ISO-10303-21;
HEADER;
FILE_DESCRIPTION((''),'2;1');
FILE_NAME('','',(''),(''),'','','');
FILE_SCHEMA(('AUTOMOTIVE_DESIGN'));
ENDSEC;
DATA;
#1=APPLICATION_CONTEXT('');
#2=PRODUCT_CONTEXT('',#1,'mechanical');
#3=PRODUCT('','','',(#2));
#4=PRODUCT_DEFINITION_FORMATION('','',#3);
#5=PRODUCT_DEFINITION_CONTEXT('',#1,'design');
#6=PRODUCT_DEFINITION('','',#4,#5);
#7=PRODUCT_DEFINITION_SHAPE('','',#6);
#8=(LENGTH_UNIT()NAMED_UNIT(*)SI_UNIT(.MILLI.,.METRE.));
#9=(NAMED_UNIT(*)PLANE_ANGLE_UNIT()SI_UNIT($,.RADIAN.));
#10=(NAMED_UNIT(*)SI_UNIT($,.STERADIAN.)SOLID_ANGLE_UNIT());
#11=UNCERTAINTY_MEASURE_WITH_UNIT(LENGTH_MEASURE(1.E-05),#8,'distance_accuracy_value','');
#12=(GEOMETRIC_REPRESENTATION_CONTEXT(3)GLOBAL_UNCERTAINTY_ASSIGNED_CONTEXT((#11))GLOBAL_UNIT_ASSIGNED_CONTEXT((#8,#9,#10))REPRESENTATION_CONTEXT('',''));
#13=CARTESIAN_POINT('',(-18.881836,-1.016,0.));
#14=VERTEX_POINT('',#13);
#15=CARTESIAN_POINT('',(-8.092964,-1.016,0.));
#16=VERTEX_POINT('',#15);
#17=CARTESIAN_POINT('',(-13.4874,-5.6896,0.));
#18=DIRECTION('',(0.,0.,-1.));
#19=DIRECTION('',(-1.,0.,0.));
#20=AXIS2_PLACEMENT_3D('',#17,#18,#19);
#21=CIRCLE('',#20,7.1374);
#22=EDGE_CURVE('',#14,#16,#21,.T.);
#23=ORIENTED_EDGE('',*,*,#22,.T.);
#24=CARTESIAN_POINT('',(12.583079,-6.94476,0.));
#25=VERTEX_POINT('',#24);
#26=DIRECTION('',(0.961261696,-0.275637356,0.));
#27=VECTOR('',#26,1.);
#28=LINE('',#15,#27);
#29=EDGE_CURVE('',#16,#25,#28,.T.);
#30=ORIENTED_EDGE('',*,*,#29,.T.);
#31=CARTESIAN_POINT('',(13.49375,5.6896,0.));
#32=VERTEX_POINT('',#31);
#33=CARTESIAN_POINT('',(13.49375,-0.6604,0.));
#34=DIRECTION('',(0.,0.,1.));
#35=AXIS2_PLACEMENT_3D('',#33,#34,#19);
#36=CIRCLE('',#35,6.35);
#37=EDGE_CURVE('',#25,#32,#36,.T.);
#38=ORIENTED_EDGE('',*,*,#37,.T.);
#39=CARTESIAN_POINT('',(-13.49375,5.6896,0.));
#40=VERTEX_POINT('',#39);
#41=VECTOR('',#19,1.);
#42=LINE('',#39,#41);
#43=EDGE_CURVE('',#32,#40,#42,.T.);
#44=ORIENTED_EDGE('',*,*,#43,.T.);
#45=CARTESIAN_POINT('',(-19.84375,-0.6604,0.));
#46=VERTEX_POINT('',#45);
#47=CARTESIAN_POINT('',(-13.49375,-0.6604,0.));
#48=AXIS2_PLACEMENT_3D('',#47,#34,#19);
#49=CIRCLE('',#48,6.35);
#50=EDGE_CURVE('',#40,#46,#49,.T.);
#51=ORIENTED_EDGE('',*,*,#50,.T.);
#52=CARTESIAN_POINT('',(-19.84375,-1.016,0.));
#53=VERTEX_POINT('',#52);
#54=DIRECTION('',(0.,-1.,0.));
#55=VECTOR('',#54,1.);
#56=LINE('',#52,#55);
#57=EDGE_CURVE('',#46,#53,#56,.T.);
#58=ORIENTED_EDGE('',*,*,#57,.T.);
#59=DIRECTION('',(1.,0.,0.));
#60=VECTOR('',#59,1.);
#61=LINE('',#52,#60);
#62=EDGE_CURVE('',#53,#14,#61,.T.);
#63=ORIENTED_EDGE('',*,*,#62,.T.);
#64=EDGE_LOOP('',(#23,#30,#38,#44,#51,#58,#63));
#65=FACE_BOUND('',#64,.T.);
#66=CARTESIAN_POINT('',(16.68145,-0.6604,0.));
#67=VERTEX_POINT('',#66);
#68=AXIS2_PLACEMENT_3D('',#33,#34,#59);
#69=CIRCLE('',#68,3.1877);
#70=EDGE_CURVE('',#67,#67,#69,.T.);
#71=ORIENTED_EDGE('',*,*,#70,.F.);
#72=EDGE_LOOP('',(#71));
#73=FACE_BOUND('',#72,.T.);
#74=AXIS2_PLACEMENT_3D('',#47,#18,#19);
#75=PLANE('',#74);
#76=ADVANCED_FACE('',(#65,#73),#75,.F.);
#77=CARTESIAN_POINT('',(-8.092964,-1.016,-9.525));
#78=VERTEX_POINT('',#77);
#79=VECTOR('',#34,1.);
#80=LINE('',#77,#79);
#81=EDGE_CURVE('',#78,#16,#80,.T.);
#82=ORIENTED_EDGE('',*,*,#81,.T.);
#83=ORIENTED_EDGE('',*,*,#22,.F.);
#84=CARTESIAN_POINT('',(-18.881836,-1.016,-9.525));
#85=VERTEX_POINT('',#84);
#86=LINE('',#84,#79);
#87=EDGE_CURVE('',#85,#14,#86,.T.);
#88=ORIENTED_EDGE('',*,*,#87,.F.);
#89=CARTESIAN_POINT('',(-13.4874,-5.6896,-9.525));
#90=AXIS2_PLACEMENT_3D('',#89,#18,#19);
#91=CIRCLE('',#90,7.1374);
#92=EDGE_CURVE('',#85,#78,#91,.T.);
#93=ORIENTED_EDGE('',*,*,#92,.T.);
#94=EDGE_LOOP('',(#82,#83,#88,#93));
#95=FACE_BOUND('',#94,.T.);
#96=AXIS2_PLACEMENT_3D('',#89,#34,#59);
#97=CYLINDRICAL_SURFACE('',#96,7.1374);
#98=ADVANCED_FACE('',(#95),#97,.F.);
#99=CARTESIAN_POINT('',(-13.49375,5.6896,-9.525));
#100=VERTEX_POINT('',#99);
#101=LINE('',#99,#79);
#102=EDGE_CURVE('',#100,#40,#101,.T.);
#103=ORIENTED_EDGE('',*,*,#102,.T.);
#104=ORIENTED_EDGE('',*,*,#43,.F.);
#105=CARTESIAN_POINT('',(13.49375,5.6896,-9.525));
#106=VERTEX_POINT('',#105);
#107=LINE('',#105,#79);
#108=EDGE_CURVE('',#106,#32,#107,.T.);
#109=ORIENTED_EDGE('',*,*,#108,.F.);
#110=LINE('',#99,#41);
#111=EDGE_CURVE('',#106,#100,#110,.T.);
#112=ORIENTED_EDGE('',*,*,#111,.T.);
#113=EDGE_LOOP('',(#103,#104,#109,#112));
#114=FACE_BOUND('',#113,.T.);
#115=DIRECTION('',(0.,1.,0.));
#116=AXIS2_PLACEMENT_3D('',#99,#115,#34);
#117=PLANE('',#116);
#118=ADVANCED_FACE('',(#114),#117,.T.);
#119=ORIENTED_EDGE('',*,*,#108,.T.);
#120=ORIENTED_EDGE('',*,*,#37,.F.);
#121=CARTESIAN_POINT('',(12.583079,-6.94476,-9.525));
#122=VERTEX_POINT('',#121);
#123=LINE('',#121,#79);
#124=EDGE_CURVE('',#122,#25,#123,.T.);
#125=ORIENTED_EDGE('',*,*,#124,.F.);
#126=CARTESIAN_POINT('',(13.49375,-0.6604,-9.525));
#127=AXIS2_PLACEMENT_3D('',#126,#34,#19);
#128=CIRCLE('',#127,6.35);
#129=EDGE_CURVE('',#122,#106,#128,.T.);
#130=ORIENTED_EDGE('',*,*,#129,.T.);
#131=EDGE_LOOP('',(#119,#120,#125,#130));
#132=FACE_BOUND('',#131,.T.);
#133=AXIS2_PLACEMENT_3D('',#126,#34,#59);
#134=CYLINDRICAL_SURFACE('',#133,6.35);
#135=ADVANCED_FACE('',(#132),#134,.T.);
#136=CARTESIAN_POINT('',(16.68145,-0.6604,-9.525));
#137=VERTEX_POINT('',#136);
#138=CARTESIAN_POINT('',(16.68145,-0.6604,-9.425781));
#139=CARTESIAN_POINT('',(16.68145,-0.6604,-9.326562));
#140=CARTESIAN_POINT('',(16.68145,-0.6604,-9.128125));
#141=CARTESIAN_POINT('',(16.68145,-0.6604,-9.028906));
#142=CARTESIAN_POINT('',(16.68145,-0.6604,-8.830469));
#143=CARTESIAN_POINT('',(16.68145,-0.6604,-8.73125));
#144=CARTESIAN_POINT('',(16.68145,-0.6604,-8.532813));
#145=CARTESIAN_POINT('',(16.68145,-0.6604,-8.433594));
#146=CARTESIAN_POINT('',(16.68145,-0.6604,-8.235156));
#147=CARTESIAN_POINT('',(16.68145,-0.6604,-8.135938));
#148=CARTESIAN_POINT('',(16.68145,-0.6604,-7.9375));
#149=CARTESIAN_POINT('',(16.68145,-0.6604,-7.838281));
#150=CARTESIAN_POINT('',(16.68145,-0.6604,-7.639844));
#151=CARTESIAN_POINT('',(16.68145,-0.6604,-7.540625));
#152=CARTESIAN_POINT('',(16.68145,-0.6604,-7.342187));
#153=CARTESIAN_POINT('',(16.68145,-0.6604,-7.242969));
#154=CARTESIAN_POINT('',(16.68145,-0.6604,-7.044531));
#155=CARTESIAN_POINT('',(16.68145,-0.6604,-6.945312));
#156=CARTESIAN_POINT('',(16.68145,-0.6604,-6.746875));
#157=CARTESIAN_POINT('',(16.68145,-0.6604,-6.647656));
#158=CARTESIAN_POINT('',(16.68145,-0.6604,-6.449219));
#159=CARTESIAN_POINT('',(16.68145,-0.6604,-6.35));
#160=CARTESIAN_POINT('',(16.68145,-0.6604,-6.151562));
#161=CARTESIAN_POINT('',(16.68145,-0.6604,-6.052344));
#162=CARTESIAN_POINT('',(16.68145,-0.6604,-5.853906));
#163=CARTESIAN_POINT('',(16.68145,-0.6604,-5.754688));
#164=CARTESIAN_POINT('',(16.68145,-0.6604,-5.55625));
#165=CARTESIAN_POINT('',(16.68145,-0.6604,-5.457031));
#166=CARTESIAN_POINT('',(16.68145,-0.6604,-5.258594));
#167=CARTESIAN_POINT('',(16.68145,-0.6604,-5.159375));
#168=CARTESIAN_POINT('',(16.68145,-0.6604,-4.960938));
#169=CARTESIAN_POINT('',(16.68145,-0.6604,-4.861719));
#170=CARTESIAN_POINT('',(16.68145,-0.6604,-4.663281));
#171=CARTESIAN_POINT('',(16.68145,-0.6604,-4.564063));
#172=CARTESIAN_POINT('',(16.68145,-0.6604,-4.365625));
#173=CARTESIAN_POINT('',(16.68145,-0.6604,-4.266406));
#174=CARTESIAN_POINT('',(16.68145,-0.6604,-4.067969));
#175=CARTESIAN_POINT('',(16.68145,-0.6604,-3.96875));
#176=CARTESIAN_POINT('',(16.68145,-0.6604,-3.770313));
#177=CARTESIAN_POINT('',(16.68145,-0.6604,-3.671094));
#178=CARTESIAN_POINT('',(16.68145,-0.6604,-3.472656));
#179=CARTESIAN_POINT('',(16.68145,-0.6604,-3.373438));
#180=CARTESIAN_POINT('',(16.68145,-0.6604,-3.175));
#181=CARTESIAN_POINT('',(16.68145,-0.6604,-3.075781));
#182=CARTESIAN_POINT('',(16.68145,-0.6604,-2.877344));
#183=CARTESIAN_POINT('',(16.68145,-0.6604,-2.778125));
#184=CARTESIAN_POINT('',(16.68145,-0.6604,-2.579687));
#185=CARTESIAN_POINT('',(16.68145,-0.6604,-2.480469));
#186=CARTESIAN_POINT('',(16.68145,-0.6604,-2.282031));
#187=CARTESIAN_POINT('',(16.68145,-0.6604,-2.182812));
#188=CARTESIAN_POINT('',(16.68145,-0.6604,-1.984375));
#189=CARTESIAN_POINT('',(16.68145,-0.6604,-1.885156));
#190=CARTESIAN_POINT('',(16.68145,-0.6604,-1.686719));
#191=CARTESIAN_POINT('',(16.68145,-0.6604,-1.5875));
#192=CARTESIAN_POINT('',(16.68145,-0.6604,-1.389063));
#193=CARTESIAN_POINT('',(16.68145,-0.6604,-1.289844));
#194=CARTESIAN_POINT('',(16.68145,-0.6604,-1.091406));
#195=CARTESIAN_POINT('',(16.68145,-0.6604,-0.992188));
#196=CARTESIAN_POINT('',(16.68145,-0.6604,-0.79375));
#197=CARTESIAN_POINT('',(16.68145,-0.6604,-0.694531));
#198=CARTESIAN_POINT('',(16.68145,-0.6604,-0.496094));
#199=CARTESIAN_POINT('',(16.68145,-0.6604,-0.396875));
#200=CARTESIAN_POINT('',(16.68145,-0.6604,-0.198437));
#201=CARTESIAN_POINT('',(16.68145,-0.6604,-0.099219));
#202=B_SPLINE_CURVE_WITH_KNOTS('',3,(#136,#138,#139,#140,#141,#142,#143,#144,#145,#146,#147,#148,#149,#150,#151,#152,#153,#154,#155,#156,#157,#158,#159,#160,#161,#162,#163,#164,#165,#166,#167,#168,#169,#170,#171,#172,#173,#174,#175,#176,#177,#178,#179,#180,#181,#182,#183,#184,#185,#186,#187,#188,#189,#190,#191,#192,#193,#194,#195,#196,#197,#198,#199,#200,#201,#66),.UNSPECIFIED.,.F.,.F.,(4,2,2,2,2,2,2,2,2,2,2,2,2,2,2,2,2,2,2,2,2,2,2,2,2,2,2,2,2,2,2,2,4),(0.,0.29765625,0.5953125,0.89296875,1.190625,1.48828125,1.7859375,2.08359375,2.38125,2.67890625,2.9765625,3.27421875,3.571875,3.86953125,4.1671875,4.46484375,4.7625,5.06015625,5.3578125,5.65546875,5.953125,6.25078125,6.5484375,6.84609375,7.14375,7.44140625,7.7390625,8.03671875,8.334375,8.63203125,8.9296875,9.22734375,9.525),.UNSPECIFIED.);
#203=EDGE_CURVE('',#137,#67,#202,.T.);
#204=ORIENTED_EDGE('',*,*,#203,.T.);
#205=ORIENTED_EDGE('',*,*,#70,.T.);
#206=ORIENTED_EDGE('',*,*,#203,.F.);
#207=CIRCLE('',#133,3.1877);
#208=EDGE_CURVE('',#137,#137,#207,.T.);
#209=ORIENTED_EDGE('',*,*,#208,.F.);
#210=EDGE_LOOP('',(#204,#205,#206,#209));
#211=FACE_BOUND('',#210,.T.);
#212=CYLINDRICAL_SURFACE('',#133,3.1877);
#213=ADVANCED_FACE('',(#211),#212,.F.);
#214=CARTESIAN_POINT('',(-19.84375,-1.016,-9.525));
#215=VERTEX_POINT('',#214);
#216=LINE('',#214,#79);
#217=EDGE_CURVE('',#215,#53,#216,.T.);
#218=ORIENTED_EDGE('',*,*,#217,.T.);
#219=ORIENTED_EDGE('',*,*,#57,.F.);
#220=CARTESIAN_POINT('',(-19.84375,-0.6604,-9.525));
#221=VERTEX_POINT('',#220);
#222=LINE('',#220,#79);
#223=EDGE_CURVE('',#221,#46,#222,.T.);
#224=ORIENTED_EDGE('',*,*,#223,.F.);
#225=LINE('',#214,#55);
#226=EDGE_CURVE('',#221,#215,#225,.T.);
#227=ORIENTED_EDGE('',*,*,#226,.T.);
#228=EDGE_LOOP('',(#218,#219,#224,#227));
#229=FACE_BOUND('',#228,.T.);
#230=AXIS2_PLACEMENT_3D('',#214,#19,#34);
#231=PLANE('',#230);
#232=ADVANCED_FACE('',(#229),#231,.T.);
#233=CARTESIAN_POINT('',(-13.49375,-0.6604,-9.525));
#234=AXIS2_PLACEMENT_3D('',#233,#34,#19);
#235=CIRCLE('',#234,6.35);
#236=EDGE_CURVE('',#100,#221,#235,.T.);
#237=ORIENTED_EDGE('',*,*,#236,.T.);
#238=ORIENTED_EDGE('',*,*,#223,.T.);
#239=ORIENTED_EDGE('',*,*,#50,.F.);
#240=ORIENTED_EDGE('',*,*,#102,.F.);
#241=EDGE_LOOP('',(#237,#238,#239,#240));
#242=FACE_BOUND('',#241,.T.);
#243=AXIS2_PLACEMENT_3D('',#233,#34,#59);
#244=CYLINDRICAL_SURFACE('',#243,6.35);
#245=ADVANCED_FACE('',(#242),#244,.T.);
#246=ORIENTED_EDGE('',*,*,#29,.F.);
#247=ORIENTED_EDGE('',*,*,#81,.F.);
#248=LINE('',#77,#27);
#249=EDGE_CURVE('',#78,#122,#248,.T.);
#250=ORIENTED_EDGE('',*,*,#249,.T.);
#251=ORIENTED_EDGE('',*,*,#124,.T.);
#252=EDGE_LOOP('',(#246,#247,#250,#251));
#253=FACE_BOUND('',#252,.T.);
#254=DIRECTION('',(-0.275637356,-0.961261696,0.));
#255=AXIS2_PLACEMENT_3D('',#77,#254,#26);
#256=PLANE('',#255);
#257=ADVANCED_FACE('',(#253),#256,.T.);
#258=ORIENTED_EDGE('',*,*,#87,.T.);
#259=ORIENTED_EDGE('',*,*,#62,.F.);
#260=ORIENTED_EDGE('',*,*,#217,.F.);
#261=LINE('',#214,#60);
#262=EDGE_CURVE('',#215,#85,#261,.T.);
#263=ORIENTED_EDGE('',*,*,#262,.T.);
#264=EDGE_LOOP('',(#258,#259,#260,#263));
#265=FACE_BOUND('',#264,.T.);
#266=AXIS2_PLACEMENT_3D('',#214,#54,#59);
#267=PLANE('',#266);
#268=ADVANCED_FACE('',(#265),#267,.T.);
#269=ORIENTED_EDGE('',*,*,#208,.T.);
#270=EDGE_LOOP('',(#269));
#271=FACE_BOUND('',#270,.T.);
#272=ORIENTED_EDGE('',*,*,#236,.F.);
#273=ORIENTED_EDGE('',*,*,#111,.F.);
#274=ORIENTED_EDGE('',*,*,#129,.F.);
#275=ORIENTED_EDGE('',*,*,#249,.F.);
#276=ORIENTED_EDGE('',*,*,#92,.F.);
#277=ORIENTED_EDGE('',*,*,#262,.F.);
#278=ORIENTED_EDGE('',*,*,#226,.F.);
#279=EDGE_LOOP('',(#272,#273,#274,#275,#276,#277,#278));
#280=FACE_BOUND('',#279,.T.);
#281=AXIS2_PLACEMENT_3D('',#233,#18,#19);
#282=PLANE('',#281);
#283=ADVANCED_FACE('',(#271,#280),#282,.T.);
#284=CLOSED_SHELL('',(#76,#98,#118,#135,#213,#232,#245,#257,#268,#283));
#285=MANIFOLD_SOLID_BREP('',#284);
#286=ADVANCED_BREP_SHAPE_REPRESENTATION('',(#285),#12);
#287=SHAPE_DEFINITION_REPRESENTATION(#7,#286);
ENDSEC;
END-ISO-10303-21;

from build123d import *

# Parameters (mm, degrees)
SKETCH1_R           = 3.1877
BOSS_EXTRUDE1_DEPTH = 9.525


with BuildPart() as part:
    # Sketch1 → Boss-Extrude1 (new body)
    with BuildSketch(Plane.XY):
        with BuildLine():
            Line((-19.84375, -1.016), (-18.881836189, -1.016))
            ThreePointArc((-18.881836189, -1.016), (-13.4874, 1.4478), (-8.092963811, -1.016))
            Line((-8.092963811, -1.016), (12.583078625, -6.944759764))
            ThreePointArc((12.583078625, -6.944759764), (19.827318682, -1.116916975), (13.49375, 5.6896))
            Line((13.49375, 5.6896), (-13.49375, 5.6896))
            ThreePointArc((-13.49375, 5.6896), (-17.983878061, 3.829728061), (-19.84375, -0.6604))
            Line((-19.84375, -0.6604), (-19.84375, -1.016))
        make_face()
        with Locations((13.49375, -0.6604)):
            Circle(SKETCH1_R, mode=Mode.SUBTRACT)
    extrude(amount=-BOSS_EXTRUDE1_DEPTH)


solid = part.part
